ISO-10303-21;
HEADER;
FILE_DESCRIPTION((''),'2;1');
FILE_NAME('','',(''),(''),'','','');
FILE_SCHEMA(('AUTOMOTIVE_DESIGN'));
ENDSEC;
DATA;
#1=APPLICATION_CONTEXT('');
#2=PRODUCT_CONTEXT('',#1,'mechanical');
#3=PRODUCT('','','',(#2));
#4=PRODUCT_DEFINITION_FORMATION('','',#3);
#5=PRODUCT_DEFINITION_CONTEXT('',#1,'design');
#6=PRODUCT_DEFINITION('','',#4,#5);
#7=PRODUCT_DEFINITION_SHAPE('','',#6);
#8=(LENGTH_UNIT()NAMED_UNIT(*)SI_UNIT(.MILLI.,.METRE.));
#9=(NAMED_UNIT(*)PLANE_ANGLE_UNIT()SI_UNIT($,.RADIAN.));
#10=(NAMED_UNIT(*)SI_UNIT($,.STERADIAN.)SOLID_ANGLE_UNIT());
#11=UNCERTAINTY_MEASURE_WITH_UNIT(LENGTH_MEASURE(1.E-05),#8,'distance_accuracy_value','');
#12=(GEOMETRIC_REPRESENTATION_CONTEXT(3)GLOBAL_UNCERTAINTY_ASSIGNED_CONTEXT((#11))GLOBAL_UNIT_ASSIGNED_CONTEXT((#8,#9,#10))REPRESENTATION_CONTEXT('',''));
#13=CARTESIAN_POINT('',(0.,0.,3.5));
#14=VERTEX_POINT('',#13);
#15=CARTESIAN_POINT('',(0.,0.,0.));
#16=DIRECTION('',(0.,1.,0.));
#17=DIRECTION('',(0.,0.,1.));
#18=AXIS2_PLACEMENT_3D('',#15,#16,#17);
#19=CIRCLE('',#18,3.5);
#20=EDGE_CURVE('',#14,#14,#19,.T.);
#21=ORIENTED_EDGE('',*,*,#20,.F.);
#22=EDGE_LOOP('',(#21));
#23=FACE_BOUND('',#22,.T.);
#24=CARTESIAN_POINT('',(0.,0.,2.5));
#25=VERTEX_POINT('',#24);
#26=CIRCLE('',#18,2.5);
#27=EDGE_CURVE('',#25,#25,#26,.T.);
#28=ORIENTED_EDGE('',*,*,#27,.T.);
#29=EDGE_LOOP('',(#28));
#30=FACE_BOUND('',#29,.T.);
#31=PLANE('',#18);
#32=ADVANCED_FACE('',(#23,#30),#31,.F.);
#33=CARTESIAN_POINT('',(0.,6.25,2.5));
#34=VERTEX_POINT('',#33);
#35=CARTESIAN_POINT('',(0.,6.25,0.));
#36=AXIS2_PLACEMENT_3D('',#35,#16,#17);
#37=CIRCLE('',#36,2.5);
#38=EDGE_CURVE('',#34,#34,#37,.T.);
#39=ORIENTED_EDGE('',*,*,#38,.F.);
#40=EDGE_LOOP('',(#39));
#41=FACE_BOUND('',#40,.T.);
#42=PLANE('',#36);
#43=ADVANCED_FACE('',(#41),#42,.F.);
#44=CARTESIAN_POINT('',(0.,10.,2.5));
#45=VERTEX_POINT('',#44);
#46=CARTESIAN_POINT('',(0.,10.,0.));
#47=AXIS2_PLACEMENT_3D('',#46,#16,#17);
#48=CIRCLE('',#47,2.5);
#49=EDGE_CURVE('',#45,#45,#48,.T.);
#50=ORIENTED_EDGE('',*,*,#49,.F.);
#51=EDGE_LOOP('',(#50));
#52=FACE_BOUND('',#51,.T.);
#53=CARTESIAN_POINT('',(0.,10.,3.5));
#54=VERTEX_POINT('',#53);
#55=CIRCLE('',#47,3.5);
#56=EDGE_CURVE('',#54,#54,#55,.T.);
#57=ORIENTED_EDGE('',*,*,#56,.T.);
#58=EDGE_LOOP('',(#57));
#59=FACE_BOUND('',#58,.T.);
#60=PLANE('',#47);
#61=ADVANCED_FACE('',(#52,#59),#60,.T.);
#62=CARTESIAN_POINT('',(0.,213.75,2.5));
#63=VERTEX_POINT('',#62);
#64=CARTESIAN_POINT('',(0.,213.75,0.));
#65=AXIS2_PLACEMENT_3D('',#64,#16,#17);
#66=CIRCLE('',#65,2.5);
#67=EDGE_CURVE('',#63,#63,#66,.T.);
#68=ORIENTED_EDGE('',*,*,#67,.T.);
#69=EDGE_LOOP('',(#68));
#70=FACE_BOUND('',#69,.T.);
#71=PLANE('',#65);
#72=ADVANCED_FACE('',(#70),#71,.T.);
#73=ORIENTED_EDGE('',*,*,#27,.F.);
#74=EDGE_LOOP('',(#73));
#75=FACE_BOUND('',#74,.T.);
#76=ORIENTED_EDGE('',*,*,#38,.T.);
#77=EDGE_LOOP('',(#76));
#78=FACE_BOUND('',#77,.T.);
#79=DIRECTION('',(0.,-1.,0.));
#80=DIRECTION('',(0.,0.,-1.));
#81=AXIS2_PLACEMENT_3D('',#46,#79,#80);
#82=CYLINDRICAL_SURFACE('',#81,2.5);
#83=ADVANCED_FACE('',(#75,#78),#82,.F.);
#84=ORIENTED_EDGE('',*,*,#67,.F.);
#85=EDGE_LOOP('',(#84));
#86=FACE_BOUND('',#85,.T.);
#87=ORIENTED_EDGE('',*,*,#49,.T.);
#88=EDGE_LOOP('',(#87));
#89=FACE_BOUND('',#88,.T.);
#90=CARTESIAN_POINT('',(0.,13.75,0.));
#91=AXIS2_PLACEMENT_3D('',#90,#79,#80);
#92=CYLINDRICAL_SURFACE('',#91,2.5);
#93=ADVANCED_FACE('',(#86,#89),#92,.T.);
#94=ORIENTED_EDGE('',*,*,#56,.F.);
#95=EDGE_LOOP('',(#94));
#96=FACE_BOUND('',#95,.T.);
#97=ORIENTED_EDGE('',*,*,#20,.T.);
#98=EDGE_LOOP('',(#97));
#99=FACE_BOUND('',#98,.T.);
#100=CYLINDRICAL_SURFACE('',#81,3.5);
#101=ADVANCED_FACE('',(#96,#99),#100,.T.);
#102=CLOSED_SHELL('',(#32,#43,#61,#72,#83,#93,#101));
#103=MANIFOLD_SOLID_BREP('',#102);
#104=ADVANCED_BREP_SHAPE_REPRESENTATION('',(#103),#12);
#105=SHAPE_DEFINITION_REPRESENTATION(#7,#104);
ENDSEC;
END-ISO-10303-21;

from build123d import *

# Parameters (mm, degrees)
SKETCH1_R           = 3.5
SKETCH1_R_2         = 2.5
BOSS_EXTRUDE1_DEPTH = 10
SKETCH2_R           = 2.5
BOSS_EXTRUDE2_DEPTH = 3.75
SKETCH3_R           = 2.5
BOSS_EXTRUDE3_DEPTH = 200


with BuildPart() as part:
    # Sketch1 → Boss-Extrude1 (new body)
    with BuildSketch(Plane(origin=(0, 0, 0), x_dir=(1, 0, 0), z_dir=(0, 1, 0))):
        with Locations(Location((0, 0, 0), (0, 0, 270))):
            Circle(SKETCH1_R)
        with Locations(Location((0, 0, 0), (0, 0, 270))):
            Circle(SKETCH1_R_2, mode=Mode.SUBTRACT)
    extrude(amount=BOSS_EXTRUDE1_DEPTH)

    # Sketch2 → Boss-Extrude2 (add, symmetric)
    with BuildSketch(Plane(origin=(0, 10, 0), x_dir=(1, 0, 0), z_dir=(0, 1, 0))):
        with Locations(Location((0, 0, 0), (0, 0, 270))):
            Circle(SKETCH2_R)
    extrude(amount=BOSS_EXTRUDE2_DEPTH, both=True)

    # Sketch3 → Boss-Extrude3 (add)
    with BuildSketch(Plane(origin=(0, 13.75, 0), x_dir=(1, 0, 0), z_dir=(0, 1, 0))):
        with Locations(Location((0, 0, 0), (0, 0, 270))):
            Circle(SKETCH3_R)
    extrude(amount=BOSS_EXTRUDE3_DEPTH)


solid = part.part
